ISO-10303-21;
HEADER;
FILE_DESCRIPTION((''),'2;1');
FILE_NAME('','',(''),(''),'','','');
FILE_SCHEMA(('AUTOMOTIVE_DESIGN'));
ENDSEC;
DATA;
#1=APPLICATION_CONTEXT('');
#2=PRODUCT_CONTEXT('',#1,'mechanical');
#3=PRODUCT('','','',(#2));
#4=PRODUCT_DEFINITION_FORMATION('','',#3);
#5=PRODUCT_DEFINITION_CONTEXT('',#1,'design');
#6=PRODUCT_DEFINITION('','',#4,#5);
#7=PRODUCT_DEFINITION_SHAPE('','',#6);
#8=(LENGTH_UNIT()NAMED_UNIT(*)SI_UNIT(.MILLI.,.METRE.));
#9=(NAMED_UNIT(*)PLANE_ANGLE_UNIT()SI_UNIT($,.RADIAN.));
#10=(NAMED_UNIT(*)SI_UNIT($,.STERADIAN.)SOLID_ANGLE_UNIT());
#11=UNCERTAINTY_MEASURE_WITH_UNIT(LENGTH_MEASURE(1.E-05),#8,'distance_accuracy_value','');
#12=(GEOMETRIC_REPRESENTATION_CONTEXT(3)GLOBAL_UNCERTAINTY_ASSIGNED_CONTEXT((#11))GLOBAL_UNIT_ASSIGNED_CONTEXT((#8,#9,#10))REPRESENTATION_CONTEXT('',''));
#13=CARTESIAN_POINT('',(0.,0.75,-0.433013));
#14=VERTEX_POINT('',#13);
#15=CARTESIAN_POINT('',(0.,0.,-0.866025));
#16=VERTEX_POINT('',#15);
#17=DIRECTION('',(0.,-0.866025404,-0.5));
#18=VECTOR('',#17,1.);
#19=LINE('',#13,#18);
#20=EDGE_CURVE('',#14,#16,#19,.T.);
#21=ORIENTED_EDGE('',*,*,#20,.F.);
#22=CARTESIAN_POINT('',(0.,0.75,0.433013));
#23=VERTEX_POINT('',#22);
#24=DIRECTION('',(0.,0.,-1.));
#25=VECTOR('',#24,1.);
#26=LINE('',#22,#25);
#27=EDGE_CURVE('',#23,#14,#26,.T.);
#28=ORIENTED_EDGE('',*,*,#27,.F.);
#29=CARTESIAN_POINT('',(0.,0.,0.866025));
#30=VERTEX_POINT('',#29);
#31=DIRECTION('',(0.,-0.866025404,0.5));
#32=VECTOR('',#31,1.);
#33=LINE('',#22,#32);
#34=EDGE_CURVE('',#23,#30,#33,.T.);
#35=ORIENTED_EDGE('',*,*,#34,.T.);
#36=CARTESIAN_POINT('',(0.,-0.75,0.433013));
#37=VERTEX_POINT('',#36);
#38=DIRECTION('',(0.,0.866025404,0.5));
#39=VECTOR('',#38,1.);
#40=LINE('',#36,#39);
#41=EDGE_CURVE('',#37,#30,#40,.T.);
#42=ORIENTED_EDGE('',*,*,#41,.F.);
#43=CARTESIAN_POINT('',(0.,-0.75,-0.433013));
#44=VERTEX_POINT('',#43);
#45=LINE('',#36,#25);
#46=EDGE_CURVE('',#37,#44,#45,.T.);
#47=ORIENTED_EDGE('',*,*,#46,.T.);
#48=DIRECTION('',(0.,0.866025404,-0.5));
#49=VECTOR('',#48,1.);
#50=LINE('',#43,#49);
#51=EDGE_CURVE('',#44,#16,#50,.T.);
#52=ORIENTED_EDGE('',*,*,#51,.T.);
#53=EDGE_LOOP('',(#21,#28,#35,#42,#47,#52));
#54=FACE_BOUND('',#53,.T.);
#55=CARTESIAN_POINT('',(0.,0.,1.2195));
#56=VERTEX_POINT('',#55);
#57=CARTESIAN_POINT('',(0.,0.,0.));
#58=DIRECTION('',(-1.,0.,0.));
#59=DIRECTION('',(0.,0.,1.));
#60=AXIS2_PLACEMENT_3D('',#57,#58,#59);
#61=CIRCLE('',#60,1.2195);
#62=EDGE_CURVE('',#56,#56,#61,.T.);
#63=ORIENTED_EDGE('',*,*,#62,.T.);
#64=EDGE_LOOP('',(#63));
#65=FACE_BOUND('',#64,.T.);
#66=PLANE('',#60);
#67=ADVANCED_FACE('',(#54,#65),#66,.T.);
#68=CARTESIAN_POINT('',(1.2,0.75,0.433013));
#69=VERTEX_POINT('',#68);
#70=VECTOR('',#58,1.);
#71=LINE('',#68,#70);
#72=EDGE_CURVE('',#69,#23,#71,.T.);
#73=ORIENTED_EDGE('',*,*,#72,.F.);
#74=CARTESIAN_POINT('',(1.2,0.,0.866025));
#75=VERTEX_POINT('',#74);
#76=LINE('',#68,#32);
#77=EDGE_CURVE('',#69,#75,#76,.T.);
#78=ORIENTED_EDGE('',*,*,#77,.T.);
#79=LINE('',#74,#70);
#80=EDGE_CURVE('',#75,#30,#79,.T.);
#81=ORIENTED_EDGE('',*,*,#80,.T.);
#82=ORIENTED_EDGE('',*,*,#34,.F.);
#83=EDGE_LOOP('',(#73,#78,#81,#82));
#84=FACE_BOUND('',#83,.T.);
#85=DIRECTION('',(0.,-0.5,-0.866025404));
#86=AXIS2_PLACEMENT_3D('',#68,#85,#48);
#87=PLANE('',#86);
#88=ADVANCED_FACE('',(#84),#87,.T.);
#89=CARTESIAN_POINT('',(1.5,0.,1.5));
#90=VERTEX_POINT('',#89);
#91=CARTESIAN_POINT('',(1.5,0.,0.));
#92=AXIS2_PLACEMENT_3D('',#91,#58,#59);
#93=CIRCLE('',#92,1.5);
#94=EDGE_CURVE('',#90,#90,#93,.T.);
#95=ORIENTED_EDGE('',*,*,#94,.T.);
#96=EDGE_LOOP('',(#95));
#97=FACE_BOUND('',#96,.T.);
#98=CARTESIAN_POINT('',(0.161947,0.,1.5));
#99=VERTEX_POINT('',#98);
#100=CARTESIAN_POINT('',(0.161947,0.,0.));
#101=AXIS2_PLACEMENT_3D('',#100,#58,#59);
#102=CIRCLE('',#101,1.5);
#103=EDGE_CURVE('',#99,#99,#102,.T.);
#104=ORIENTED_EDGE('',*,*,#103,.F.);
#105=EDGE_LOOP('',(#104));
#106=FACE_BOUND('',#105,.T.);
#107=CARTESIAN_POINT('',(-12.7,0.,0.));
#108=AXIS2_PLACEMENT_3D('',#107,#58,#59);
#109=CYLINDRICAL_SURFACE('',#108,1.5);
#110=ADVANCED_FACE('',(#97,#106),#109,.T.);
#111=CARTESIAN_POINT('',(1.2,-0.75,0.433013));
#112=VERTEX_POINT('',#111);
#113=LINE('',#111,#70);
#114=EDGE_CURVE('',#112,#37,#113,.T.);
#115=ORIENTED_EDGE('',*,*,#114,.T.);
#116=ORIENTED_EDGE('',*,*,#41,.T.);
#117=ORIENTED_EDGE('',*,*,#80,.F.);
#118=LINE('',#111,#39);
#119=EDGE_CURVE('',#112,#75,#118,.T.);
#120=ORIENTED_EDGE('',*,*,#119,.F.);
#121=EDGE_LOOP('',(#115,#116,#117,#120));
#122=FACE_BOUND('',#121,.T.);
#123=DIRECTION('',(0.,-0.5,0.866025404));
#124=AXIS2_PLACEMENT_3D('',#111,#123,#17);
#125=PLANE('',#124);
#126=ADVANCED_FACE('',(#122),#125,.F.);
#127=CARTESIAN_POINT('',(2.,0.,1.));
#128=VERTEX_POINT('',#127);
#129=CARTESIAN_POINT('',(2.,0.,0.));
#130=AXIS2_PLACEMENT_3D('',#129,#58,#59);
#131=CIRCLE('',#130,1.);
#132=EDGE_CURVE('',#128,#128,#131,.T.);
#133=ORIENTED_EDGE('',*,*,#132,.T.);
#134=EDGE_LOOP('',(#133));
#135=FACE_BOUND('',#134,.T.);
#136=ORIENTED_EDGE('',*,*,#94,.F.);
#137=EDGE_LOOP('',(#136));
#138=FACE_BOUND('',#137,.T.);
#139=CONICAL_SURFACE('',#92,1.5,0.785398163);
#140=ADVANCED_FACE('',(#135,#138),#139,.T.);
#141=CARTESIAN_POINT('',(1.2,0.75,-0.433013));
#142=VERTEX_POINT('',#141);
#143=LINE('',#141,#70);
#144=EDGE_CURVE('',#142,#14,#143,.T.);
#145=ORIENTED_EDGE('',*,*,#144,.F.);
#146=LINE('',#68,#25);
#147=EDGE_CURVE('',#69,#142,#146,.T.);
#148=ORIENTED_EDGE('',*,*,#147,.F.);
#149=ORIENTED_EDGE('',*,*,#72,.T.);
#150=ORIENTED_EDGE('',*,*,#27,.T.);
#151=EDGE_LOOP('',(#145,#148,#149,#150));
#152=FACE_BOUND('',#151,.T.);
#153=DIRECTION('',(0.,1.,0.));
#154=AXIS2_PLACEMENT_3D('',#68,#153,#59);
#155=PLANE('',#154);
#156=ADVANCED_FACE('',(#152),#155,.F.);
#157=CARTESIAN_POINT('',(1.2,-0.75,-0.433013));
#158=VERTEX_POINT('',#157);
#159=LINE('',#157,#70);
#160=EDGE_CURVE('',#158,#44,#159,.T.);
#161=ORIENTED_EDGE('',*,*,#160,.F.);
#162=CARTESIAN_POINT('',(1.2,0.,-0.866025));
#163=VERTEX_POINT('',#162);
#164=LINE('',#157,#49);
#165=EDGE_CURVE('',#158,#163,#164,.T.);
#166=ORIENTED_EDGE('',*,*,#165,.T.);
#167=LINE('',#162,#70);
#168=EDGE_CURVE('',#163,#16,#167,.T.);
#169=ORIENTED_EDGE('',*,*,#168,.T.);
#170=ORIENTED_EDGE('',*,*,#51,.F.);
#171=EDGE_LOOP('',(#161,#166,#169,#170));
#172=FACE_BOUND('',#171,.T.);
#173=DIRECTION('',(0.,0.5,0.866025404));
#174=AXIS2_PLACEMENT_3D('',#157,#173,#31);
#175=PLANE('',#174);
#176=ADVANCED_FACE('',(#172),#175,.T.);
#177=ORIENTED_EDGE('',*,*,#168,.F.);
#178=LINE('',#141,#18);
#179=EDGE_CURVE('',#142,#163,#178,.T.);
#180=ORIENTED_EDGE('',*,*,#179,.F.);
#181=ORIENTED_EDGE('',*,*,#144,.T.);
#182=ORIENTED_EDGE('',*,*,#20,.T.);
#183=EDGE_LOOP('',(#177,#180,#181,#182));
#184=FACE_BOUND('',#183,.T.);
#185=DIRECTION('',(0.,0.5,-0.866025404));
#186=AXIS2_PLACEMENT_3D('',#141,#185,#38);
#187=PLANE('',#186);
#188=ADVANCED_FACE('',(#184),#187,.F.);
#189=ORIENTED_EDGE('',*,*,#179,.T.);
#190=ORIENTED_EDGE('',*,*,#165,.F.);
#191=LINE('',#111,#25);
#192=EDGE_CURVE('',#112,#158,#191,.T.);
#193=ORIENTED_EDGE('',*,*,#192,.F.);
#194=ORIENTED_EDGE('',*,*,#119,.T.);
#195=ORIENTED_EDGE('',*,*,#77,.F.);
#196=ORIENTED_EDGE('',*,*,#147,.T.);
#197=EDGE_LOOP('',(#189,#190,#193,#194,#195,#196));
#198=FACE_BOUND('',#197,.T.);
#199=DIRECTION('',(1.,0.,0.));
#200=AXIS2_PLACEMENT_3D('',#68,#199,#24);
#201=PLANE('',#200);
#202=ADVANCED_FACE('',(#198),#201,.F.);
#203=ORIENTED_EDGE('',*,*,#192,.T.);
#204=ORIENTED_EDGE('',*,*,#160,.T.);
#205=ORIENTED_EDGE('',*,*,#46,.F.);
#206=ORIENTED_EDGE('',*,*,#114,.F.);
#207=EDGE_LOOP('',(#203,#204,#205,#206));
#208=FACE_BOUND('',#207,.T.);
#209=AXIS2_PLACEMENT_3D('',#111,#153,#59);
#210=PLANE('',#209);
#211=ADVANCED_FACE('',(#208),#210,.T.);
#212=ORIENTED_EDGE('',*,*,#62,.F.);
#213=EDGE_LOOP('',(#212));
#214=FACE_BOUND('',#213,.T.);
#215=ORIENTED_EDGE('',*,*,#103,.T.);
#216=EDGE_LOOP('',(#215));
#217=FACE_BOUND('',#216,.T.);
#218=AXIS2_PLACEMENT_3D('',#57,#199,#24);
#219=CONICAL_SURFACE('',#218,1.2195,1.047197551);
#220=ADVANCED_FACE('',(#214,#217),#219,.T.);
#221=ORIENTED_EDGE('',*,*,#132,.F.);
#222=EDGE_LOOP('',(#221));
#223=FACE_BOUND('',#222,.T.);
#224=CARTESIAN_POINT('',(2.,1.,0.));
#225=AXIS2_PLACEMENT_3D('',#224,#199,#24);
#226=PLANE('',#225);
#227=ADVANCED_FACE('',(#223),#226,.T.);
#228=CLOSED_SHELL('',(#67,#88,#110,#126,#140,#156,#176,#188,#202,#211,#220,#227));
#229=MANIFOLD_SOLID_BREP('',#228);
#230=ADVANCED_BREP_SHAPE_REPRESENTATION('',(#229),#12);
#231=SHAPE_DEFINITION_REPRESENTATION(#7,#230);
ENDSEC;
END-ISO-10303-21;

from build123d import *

# Parameters (mm, degrees)
HEX_2_DEPTH = 1.2


with BuildPart() as part:
    # BodySke → BaseBody (revolve)
    with BuildSketch(Plane.XY, mode=Mode.PRIVATE) as basebody_sk:
        Polygon((0, 0), (0, 1.2195), (0.161946751, 1.5), (1.5, 1.5), (2, 1), (2, 0), align=None)
    revolve(basebody_sk.sketch.rotate(Axis((-12.7, 0, 0), (1, 0, 0)), 90), axis=Axis((-12.7, 0, 0), (1, 0, 0)))

    # Sketch2 → Hex 2 (cut)
    with BuildSketch(Plane.ZY):
        Polygon((0.433012702, 0.75), (-0.433012702, 0.75), (-0.866025404, 0), (-0.433012702, -0.75), (0.433012702, -0.75), (0.866025404, 0), align=None)
    extrude(amount=-HEX_2_DEPTH, mode=Mode.SUBTRACT)


solid = part.part
